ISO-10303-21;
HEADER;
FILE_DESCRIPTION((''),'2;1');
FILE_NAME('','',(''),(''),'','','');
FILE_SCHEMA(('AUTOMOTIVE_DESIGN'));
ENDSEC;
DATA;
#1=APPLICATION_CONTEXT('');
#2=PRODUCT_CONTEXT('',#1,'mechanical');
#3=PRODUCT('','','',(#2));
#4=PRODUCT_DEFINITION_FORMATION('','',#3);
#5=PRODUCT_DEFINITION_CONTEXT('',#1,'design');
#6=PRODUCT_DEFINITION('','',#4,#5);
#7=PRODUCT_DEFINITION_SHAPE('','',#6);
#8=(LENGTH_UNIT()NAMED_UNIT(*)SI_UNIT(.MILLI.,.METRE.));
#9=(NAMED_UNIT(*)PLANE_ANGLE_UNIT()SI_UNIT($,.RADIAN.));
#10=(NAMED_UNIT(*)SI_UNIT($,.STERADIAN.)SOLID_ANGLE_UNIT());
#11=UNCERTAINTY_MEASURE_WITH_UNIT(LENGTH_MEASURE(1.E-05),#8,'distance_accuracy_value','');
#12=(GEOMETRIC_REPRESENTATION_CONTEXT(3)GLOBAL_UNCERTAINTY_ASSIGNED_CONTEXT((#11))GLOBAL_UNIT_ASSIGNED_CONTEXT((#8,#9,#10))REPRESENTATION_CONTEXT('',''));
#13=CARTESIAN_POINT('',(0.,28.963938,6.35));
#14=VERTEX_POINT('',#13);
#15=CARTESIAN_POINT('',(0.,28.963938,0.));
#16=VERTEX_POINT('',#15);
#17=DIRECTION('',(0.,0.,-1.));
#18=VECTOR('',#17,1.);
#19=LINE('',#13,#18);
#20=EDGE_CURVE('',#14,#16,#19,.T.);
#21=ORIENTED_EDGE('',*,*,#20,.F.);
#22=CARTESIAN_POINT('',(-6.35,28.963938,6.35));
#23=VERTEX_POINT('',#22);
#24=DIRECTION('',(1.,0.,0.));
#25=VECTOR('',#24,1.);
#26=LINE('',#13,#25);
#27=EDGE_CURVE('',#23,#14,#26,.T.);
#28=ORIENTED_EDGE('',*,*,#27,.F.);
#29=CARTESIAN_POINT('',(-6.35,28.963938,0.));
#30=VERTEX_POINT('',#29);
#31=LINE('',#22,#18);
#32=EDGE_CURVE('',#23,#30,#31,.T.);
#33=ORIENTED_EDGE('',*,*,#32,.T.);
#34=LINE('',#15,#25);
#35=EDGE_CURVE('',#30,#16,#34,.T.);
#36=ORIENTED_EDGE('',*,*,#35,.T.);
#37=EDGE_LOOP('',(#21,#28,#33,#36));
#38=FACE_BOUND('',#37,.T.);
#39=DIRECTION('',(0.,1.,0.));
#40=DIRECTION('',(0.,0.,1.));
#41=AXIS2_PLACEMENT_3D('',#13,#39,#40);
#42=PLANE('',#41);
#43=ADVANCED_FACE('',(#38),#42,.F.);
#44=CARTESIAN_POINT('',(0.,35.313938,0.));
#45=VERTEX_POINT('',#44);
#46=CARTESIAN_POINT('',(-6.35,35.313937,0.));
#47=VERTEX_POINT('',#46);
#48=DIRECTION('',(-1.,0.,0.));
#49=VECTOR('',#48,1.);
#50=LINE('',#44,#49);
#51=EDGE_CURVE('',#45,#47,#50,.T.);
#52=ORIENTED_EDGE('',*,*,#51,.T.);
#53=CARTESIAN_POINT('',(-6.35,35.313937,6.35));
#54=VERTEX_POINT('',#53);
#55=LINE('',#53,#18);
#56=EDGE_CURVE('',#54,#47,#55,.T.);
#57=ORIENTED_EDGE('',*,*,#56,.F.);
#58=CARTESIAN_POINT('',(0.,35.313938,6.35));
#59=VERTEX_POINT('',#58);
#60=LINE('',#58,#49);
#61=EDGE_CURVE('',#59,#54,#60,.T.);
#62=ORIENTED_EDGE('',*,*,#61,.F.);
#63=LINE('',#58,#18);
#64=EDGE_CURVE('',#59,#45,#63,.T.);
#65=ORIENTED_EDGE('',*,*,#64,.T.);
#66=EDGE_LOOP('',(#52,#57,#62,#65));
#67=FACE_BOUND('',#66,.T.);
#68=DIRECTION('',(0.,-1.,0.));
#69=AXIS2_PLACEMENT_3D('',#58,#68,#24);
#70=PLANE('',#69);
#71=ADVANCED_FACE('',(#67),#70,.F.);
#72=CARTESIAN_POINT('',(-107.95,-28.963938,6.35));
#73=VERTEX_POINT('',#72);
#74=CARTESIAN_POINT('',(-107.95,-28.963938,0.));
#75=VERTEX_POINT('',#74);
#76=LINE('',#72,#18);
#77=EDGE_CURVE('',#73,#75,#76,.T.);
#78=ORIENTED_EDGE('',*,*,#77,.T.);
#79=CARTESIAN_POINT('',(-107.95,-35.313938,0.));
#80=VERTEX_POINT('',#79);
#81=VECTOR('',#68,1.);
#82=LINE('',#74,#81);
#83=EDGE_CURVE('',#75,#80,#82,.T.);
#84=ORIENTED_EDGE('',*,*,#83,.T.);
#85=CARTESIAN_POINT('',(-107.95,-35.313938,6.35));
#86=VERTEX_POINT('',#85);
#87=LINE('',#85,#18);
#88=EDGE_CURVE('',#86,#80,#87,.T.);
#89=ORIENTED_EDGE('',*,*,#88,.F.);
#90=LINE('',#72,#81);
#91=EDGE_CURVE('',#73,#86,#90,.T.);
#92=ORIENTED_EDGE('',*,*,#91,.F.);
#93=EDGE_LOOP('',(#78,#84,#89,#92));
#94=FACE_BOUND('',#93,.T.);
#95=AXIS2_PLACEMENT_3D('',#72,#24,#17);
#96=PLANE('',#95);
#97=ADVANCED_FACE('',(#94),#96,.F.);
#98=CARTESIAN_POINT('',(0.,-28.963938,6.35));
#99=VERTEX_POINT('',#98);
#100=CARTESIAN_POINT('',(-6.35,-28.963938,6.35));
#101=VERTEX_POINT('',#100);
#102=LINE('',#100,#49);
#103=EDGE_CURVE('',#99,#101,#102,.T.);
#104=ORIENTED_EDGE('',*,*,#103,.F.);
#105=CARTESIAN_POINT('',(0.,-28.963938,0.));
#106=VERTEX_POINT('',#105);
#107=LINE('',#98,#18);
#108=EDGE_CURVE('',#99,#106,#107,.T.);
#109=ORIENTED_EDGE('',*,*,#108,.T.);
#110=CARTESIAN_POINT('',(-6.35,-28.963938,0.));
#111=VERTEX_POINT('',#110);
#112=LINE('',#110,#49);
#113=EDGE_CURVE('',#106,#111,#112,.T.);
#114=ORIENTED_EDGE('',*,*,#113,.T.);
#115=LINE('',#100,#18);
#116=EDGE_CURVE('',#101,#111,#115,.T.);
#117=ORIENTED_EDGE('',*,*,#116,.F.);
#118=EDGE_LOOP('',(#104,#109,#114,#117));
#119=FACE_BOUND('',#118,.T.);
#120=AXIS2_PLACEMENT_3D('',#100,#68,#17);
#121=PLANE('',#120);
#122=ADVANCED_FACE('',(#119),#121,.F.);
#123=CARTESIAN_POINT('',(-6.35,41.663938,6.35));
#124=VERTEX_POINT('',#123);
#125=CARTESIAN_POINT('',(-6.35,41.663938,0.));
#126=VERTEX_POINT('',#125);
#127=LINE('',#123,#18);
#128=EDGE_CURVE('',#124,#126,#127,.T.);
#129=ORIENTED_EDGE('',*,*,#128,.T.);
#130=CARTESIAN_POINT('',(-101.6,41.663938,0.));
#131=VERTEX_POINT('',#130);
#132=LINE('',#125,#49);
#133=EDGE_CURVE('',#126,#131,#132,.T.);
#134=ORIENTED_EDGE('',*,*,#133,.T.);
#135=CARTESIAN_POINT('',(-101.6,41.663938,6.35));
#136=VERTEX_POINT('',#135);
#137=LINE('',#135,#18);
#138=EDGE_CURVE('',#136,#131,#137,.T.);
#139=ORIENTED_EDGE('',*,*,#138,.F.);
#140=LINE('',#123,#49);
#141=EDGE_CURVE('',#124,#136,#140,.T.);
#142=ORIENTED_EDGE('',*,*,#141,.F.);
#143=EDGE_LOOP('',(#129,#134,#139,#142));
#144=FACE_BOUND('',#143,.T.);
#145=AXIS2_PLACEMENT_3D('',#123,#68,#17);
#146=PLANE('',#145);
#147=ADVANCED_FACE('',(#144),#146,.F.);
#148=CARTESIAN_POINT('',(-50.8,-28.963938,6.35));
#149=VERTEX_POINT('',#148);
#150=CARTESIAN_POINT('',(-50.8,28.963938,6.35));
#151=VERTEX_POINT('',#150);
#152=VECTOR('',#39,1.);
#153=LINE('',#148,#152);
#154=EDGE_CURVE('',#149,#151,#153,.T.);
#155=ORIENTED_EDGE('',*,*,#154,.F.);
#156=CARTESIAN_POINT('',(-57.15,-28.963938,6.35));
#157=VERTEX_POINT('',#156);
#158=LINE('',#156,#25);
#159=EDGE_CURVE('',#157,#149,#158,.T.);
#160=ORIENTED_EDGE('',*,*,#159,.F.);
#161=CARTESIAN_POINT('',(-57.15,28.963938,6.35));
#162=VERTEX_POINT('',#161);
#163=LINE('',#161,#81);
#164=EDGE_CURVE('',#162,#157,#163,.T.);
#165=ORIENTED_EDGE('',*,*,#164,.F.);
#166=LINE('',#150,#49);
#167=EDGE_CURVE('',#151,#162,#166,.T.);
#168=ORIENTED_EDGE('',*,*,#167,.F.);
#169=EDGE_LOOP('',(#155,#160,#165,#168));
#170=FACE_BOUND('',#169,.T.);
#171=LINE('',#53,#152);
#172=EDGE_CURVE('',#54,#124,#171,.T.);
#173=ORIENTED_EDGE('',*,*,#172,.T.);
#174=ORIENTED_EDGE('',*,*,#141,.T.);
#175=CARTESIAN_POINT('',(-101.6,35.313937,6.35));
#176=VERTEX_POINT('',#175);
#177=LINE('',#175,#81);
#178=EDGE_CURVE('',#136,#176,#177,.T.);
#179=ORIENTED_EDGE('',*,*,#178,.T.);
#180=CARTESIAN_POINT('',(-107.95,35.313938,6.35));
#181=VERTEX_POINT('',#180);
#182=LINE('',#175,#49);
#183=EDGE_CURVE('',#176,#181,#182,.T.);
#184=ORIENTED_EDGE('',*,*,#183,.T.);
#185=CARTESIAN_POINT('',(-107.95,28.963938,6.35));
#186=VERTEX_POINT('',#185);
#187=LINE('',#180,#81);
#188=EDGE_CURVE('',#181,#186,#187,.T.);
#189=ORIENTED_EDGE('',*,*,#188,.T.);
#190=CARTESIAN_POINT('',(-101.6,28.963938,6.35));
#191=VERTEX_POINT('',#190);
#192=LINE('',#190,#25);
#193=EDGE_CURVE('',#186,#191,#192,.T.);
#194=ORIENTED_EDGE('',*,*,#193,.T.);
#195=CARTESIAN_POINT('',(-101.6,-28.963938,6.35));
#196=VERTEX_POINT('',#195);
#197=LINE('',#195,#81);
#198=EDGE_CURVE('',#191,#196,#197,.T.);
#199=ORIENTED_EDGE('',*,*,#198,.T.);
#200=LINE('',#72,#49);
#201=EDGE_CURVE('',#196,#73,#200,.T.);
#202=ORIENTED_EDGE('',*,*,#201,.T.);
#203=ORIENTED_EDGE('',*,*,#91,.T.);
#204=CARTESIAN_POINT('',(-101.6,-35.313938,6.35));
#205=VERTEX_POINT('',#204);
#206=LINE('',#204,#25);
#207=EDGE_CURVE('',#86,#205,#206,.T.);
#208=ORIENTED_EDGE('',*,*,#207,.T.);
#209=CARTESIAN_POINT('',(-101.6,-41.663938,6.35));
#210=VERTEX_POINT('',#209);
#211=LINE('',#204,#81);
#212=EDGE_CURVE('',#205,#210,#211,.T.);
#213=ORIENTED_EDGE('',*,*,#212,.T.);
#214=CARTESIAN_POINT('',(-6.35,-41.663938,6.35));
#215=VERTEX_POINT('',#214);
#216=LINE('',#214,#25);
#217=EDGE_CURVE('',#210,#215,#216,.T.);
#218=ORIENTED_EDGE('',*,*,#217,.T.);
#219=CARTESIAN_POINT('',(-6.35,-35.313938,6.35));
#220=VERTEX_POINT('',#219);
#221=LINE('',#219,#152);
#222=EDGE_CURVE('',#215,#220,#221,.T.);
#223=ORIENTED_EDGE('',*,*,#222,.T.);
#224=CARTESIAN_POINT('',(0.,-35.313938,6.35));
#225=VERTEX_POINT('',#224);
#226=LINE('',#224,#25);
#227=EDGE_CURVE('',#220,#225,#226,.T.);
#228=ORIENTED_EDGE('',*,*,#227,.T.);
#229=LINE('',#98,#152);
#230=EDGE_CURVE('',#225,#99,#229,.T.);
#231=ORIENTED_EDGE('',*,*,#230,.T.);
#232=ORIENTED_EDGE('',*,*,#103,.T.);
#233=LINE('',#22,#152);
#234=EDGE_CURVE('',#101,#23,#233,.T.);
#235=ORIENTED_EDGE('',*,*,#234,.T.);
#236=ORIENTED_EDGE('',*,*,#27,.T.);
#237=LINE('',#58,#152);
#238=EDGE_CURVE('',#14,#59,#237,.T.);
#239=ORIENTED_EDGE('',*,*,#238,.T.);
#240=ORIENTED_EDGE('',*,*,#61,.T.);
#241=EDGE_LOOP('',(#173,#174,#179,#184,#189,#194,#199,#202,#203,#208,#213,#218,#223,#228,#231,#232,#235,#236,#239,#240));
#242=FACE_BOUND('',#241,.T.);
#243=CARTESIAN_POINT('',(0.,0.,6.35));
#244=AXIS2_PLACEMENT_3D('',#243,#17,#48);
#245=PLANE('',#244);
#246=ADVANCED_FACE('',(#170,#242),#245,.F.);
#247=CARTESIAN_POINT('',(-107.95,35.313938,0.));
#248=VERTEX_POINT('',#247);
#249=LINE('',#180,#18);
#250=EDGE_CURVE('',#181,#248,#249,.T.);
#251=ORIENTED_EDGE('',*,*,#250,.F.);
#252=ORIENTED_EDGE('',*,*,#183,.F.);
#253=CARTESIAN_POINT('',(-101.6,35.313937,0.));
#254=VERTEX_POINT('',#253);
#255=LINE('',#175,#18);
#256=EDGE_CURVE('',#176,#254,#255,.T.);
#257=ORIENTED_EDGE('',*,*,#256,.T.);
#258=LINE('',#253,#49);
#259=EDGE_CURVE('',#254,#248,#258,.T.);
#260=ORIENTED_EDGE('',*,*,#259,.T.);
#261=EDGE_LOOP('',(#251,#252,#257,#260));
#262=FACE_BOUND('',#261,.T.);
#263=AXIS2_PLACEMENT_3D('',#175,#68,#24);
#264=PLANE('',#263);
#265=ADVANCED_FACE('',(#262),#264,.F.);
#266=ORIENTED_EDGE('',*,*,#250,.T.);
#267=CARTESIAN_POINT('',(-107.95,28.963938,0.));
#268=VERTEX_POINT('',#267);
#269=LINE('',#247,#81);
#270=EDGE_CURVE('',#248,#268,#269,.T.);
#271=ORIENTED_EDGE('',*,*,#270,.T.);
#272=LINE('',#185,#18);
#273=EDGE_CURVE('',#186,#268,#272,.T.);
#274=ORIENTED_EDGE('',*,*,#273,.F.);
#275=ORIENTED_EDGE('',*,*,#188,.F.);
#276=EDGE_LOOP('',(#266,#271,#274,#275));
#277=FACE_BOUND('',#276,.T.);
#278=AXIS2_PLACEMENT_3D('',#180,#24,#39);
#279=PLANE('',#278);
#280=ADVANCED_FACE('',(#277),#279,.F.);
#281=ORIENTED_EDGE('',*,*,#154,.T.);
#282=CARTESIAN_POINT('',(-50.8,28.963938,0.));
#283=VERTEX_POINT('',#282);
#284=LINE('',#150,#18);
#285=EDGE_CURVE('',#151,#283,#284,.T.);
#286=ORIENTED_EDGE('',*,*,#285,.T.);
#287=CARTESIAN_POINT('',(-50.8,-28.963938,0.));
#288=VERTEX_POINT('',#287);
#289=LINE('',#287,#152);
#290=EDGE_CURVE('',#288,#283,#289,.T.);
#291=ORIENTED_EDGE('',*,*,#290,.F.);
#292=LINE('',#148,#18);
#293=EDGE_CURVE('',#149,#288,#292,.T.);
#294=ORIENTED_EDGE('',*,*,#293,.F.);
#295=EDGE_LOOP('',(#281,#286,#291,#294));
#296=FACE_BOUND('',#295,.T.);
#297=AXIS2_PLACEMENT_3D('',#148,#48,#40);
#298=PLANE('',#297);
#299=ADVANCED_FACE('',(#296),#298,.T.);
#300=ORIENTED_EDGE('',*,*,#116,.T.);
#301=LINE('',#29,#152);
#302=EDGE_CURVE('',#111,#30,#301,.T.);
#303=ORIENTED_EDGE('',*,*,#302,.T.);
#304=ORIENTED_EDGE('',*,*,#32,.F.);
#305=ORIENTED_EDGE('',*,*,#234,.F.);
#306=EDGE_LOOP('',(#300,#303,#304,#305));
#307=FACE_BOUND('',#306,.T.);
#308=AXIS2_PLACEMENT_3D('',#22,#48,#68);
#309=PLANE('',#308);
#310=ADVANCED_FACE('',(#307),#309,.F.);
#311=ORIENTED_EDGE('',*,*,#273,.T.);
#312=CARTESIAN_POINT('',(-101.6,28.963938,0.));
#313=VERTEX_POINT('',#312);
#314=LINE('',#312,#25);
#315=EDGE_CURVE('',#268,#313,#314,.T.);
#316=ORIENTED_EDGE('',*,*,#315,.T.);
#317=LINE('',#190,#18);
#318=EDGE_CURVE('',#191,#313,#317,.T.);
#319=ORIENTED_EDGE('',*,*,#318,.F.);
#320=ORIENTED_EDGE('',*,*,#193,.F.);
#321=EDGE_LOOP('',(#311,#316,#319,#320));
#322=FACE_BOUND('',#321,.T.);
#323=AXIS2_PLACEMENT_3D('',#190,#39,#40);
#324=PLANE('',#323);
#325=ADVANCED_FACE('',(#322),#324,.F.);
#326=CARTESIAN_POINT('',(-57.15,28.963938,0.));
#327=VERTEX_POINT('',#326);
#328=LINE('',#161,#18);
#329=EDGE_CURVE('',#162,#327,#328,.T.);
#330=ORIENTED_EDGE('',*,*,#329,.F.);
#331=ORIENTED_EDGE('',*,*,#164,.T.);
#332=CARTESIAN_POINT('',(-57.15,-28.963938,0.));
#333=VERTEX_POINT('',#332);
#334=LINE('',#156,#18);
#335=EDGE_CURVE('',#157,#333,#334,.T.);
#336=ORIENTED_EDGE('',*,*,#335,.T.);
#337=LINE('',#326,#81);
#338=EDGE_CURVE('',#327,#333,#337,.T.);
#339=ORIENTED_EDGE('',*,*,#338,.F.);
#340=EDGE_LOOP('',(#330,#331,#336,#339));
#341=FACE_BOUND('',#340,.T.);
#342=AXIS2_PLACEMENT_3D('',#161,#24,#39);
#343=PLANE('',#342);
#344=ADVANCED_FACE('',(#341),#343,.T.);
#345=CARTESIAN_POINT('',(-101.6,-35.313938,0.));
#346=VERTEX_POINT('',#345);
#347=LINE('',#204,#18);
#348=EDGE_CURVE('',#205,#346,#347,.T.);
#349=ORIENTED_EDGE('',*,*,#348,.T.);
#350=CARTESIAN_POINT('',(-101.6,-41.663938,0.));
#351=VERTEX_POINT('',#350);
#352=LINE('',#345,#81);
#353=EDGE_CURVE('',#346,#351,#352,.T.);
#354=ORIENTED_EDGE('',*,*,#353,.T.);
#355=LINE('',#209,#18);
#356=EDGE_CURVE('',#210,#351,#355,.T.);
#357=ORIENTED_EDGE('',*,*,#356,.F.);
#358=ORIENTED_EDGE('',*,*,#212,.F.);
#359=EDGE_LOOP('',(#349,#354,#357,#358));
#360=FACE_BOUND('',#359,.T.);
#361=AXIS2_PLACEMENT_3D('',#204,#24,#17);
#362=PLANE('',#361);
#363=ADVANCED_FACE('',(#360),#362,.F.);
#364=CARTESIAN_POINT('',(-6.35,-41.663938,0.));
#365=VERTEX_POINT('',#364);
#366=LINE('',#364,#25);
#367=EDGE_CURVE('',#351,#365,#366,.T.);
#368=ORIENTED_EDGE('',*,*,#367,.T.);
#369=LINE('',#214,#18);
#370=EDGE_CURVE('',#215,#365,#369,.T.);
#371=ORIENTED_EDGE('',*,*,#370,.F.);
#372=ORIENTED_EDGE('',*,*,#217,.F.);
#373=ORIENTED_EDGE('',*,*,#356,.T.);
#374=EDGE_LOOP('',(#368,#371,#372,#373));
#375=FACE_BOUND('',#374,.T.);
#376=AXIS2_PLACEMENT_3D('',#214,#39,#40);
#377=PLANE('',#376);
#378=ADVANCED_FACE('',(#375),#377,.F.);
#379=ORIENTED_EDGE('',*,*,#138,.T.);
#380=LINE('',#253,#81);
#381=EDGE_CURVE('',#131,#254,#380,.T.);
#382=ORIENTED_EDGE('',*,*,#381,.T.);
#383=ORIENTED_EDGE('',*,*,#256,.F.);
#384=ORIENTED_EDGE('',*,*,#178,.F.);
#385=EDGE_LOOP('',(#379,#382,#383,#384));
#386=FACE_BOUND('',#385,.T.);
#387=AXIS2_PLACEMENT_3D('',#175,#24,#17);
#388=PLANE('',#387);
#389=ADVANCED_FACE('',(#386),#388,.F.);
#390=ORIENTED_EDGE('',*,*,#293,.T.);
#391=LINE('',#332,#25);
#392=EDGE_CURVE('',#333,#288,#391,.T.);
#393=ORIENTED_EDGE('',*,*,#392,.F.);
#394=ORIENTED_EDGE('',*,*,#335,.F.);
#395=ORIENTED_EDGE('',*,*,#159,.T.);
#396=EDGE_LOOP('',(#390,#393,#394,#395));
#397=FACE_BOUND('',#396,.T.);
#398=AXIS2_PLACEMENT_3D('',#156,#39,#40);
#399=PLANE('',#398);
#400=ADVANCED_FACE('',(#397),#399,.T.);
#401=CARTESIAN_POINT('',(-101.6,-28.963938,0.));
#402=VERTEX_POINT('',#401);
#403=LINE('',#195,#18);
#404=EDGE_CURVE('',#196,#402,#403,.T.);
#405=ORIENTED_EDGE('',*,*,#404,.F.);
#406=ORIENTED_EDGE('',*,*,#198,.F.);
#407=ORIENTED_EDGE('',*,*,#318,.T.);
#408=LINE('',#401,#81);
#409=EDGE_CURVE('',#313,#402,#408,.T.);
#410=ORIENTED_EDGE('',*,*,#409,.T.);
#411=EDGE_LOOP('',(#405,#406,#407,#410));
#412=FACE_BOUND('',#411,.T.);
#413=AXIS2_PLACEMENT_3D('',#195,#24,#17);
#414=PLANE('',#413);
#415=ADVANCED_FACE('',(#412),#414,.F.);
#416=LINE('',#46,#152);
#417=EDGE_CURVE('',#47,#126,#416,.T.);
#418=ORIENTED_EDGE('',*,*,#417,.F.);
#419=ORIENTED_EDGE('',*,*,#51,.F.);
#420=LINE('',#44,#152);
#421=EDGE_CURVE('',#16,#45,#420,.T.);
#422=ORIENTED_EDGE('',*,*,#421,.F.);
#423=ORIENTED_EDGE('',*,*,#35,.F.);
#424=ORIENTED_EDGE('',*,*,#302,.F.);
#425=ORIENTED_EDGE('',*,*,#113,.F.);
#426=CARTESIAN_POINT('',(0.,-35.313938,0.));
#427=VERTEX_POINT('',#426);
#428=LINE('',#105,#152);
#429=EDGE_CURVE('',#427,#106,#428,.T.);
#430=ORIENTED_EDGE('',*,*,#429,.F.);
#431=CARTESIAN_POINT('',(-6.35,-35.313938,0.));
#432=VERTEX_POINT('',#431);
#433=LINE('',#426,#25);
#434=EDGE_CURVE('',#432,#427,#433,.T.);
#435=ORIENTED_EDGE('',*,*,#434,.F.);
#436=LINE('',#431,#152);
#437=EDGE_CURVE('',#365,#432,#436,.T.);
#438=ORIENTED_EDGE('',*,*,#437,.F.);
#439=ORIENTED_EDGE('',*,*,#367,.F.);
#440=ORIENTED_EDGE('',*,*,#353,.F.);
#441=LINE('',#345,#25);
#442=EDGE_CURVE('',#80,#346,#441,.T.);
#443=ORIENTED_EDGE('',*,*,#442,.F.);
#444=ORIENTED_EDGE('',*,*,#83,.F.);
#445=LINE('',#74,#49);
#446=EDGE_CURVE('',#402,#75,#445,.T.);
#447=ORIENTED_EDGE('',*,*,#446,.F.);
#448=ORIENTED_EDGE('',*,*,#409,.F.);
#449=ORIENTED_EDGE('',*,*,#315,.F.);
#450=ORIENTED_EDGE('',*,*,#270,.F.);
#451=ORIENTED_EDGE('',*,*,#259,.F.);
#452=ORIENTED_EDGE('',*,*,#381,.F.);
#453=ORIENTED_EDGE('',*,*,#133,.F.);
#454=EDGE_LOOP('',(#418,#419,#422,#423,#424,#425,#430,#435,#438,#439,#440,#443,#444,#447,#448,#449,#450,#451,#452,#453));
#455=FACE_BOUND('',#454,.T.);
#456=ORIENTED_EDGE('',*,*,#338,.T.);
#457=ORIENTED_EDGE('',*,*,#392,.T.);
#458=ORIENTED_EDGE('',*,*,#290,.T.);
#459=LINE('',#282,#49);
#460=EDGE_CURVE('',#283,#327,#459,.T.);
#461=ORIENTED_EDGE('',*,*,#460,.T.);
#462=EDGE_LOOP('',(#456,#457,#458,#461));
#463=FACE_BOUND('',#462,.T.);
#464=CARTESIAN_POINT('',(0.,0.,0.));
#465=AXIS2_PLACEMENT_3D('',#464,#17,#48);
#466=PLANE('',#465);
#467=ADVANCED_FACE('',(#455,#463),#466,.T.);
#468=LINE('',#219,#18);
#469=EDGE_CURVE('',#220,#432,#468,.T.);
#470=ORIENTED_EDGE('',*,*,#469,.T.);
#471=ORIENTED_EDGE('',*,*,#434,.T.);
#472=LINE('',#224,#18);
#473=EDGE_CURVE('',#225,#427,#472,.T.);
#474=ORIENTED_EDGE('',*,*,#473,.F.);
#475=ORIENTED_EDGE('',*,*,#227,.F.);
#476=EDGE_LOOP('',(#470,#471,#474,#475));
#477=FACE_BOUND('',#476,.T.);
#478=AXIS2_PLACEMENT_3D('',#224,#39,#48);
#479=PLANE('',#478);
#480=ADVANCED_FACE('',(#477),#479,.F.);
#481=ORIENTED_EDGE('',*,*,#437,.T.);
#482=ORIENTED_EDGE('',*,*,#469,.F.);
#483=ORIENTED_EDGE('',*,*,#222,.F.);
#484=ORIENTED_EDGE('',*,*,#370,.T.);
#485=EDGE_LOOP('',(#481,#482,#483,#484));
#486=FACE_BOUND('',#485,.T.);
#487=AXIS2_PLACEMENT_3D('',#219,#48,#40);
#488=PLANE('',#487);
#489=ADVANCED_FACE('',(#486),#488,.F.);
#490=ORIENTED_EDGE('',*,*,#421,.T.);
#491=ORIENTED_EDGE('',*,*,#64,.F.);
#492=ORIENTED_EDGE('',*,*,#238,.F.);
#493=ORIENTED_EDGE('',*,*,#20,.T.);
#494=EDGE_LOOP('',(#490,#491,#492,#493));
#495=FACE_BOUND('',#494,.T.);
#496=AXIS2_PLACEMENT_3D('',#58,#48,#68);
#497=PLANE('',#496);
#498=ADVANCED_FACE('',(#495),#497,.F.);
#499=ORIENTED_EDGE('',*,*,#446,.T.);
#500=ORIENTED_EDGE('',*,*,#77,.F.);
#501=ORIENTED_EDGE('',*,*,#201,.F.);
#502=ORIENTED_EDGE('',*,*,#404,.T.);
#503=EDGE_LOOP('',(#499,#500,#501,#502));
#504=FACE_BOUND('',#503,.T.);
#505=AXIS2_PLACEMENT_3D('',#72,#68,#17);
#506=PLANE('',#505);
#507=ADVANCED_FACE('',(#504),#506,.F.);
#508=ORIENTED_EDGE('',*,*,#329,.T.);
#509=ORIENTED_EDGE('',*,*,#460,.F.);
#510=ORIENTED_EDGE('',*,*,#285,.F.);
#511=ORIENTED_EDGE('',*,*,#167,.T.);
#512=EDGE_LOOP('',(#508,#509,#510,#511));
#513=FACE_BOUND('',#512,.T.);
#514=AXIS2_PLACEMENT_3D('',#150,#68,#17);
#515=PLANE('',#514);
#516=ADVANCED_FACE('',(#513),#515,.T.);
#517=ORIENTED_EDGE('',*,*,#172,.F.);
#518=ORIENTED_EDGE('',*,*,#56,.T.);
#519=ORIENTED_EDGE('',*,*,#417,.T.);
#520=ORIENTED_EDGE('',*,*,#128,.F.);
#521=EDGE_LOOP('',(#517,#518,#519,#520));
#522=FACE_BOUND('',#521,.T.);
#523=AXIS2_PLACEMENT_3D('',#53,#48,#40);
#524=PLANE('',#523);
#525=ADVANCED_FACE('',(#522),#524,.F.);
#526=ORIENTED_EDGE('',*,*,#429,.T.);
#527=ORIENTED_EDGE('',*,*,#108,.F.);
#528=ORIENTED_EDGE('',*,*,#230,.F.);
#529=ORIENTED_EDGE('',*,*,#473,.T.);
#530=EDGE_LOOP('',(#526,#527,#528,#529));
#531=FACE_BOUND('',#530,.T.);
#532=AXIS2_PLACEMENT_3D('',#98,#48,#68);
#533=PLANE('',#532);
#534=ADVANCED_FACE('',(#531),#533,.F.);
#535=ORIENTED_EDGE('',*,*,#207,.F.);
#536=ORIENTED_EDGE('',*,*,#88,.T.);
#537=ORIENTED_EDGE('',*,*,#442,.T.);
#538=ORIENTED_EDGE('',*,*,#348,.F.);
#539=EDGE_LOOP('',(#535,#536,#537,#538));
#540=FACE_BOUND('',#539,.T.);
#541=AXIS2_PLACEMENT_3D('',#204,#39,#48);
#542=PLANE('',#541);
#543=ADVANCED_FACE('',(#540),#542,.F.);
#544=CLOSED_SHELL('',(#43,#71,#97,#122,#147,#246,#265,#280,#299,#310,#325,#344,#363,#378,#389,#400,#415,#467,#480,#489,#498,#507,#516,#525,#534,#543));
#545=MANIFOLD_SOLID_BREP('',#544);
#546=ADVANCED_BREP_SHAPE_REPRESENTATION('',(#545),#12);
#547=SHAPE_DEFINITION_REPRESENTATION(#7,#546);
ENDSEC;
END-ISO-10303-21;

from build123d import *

# Parameters (mm, degrees)
SKETCH1_W           = 6.35
SKETCH1_H           = 57.927875
BOSS_EXTRUDE1_DEPTH = 6.35


with BuildPart() as part:
    # Sketch1 → Boss-Extrude1 (new body)
    with BuildSketch(Plane.XY):
        Polygon((-101.6, 35.3139375), (-107.95, 35.3139375), (-107.95, 28.9639375), (-101.6, 28.9639375), (-101.6, -28.9639375), (-107.95, -28.9639375), (-107.95, -35.3139375), (-101.6, -35.3139375), (-101.6, -41.6639375), (-6.35, -41.6639375), (-6.35, -35.3139375), (0, -35.3139375), (0, -28.9639375), (-6.35, -28.9639375), (-6.35, 28.9639375), (0, 28.9639375), (0, 35.3139375), (-6.35, 35.3139375), (-6.35, 41.6639375), (-101.6, 41.6639375), align=None)
        with Locations((-53.975, 0)):
            Rectangle(SKETCH1_W, SKETCH1_H, mode=Mode.SUBTRACT)
    extrude(amount=BOSS_EXTRUDE1_DEPTH)


solid = part.part
